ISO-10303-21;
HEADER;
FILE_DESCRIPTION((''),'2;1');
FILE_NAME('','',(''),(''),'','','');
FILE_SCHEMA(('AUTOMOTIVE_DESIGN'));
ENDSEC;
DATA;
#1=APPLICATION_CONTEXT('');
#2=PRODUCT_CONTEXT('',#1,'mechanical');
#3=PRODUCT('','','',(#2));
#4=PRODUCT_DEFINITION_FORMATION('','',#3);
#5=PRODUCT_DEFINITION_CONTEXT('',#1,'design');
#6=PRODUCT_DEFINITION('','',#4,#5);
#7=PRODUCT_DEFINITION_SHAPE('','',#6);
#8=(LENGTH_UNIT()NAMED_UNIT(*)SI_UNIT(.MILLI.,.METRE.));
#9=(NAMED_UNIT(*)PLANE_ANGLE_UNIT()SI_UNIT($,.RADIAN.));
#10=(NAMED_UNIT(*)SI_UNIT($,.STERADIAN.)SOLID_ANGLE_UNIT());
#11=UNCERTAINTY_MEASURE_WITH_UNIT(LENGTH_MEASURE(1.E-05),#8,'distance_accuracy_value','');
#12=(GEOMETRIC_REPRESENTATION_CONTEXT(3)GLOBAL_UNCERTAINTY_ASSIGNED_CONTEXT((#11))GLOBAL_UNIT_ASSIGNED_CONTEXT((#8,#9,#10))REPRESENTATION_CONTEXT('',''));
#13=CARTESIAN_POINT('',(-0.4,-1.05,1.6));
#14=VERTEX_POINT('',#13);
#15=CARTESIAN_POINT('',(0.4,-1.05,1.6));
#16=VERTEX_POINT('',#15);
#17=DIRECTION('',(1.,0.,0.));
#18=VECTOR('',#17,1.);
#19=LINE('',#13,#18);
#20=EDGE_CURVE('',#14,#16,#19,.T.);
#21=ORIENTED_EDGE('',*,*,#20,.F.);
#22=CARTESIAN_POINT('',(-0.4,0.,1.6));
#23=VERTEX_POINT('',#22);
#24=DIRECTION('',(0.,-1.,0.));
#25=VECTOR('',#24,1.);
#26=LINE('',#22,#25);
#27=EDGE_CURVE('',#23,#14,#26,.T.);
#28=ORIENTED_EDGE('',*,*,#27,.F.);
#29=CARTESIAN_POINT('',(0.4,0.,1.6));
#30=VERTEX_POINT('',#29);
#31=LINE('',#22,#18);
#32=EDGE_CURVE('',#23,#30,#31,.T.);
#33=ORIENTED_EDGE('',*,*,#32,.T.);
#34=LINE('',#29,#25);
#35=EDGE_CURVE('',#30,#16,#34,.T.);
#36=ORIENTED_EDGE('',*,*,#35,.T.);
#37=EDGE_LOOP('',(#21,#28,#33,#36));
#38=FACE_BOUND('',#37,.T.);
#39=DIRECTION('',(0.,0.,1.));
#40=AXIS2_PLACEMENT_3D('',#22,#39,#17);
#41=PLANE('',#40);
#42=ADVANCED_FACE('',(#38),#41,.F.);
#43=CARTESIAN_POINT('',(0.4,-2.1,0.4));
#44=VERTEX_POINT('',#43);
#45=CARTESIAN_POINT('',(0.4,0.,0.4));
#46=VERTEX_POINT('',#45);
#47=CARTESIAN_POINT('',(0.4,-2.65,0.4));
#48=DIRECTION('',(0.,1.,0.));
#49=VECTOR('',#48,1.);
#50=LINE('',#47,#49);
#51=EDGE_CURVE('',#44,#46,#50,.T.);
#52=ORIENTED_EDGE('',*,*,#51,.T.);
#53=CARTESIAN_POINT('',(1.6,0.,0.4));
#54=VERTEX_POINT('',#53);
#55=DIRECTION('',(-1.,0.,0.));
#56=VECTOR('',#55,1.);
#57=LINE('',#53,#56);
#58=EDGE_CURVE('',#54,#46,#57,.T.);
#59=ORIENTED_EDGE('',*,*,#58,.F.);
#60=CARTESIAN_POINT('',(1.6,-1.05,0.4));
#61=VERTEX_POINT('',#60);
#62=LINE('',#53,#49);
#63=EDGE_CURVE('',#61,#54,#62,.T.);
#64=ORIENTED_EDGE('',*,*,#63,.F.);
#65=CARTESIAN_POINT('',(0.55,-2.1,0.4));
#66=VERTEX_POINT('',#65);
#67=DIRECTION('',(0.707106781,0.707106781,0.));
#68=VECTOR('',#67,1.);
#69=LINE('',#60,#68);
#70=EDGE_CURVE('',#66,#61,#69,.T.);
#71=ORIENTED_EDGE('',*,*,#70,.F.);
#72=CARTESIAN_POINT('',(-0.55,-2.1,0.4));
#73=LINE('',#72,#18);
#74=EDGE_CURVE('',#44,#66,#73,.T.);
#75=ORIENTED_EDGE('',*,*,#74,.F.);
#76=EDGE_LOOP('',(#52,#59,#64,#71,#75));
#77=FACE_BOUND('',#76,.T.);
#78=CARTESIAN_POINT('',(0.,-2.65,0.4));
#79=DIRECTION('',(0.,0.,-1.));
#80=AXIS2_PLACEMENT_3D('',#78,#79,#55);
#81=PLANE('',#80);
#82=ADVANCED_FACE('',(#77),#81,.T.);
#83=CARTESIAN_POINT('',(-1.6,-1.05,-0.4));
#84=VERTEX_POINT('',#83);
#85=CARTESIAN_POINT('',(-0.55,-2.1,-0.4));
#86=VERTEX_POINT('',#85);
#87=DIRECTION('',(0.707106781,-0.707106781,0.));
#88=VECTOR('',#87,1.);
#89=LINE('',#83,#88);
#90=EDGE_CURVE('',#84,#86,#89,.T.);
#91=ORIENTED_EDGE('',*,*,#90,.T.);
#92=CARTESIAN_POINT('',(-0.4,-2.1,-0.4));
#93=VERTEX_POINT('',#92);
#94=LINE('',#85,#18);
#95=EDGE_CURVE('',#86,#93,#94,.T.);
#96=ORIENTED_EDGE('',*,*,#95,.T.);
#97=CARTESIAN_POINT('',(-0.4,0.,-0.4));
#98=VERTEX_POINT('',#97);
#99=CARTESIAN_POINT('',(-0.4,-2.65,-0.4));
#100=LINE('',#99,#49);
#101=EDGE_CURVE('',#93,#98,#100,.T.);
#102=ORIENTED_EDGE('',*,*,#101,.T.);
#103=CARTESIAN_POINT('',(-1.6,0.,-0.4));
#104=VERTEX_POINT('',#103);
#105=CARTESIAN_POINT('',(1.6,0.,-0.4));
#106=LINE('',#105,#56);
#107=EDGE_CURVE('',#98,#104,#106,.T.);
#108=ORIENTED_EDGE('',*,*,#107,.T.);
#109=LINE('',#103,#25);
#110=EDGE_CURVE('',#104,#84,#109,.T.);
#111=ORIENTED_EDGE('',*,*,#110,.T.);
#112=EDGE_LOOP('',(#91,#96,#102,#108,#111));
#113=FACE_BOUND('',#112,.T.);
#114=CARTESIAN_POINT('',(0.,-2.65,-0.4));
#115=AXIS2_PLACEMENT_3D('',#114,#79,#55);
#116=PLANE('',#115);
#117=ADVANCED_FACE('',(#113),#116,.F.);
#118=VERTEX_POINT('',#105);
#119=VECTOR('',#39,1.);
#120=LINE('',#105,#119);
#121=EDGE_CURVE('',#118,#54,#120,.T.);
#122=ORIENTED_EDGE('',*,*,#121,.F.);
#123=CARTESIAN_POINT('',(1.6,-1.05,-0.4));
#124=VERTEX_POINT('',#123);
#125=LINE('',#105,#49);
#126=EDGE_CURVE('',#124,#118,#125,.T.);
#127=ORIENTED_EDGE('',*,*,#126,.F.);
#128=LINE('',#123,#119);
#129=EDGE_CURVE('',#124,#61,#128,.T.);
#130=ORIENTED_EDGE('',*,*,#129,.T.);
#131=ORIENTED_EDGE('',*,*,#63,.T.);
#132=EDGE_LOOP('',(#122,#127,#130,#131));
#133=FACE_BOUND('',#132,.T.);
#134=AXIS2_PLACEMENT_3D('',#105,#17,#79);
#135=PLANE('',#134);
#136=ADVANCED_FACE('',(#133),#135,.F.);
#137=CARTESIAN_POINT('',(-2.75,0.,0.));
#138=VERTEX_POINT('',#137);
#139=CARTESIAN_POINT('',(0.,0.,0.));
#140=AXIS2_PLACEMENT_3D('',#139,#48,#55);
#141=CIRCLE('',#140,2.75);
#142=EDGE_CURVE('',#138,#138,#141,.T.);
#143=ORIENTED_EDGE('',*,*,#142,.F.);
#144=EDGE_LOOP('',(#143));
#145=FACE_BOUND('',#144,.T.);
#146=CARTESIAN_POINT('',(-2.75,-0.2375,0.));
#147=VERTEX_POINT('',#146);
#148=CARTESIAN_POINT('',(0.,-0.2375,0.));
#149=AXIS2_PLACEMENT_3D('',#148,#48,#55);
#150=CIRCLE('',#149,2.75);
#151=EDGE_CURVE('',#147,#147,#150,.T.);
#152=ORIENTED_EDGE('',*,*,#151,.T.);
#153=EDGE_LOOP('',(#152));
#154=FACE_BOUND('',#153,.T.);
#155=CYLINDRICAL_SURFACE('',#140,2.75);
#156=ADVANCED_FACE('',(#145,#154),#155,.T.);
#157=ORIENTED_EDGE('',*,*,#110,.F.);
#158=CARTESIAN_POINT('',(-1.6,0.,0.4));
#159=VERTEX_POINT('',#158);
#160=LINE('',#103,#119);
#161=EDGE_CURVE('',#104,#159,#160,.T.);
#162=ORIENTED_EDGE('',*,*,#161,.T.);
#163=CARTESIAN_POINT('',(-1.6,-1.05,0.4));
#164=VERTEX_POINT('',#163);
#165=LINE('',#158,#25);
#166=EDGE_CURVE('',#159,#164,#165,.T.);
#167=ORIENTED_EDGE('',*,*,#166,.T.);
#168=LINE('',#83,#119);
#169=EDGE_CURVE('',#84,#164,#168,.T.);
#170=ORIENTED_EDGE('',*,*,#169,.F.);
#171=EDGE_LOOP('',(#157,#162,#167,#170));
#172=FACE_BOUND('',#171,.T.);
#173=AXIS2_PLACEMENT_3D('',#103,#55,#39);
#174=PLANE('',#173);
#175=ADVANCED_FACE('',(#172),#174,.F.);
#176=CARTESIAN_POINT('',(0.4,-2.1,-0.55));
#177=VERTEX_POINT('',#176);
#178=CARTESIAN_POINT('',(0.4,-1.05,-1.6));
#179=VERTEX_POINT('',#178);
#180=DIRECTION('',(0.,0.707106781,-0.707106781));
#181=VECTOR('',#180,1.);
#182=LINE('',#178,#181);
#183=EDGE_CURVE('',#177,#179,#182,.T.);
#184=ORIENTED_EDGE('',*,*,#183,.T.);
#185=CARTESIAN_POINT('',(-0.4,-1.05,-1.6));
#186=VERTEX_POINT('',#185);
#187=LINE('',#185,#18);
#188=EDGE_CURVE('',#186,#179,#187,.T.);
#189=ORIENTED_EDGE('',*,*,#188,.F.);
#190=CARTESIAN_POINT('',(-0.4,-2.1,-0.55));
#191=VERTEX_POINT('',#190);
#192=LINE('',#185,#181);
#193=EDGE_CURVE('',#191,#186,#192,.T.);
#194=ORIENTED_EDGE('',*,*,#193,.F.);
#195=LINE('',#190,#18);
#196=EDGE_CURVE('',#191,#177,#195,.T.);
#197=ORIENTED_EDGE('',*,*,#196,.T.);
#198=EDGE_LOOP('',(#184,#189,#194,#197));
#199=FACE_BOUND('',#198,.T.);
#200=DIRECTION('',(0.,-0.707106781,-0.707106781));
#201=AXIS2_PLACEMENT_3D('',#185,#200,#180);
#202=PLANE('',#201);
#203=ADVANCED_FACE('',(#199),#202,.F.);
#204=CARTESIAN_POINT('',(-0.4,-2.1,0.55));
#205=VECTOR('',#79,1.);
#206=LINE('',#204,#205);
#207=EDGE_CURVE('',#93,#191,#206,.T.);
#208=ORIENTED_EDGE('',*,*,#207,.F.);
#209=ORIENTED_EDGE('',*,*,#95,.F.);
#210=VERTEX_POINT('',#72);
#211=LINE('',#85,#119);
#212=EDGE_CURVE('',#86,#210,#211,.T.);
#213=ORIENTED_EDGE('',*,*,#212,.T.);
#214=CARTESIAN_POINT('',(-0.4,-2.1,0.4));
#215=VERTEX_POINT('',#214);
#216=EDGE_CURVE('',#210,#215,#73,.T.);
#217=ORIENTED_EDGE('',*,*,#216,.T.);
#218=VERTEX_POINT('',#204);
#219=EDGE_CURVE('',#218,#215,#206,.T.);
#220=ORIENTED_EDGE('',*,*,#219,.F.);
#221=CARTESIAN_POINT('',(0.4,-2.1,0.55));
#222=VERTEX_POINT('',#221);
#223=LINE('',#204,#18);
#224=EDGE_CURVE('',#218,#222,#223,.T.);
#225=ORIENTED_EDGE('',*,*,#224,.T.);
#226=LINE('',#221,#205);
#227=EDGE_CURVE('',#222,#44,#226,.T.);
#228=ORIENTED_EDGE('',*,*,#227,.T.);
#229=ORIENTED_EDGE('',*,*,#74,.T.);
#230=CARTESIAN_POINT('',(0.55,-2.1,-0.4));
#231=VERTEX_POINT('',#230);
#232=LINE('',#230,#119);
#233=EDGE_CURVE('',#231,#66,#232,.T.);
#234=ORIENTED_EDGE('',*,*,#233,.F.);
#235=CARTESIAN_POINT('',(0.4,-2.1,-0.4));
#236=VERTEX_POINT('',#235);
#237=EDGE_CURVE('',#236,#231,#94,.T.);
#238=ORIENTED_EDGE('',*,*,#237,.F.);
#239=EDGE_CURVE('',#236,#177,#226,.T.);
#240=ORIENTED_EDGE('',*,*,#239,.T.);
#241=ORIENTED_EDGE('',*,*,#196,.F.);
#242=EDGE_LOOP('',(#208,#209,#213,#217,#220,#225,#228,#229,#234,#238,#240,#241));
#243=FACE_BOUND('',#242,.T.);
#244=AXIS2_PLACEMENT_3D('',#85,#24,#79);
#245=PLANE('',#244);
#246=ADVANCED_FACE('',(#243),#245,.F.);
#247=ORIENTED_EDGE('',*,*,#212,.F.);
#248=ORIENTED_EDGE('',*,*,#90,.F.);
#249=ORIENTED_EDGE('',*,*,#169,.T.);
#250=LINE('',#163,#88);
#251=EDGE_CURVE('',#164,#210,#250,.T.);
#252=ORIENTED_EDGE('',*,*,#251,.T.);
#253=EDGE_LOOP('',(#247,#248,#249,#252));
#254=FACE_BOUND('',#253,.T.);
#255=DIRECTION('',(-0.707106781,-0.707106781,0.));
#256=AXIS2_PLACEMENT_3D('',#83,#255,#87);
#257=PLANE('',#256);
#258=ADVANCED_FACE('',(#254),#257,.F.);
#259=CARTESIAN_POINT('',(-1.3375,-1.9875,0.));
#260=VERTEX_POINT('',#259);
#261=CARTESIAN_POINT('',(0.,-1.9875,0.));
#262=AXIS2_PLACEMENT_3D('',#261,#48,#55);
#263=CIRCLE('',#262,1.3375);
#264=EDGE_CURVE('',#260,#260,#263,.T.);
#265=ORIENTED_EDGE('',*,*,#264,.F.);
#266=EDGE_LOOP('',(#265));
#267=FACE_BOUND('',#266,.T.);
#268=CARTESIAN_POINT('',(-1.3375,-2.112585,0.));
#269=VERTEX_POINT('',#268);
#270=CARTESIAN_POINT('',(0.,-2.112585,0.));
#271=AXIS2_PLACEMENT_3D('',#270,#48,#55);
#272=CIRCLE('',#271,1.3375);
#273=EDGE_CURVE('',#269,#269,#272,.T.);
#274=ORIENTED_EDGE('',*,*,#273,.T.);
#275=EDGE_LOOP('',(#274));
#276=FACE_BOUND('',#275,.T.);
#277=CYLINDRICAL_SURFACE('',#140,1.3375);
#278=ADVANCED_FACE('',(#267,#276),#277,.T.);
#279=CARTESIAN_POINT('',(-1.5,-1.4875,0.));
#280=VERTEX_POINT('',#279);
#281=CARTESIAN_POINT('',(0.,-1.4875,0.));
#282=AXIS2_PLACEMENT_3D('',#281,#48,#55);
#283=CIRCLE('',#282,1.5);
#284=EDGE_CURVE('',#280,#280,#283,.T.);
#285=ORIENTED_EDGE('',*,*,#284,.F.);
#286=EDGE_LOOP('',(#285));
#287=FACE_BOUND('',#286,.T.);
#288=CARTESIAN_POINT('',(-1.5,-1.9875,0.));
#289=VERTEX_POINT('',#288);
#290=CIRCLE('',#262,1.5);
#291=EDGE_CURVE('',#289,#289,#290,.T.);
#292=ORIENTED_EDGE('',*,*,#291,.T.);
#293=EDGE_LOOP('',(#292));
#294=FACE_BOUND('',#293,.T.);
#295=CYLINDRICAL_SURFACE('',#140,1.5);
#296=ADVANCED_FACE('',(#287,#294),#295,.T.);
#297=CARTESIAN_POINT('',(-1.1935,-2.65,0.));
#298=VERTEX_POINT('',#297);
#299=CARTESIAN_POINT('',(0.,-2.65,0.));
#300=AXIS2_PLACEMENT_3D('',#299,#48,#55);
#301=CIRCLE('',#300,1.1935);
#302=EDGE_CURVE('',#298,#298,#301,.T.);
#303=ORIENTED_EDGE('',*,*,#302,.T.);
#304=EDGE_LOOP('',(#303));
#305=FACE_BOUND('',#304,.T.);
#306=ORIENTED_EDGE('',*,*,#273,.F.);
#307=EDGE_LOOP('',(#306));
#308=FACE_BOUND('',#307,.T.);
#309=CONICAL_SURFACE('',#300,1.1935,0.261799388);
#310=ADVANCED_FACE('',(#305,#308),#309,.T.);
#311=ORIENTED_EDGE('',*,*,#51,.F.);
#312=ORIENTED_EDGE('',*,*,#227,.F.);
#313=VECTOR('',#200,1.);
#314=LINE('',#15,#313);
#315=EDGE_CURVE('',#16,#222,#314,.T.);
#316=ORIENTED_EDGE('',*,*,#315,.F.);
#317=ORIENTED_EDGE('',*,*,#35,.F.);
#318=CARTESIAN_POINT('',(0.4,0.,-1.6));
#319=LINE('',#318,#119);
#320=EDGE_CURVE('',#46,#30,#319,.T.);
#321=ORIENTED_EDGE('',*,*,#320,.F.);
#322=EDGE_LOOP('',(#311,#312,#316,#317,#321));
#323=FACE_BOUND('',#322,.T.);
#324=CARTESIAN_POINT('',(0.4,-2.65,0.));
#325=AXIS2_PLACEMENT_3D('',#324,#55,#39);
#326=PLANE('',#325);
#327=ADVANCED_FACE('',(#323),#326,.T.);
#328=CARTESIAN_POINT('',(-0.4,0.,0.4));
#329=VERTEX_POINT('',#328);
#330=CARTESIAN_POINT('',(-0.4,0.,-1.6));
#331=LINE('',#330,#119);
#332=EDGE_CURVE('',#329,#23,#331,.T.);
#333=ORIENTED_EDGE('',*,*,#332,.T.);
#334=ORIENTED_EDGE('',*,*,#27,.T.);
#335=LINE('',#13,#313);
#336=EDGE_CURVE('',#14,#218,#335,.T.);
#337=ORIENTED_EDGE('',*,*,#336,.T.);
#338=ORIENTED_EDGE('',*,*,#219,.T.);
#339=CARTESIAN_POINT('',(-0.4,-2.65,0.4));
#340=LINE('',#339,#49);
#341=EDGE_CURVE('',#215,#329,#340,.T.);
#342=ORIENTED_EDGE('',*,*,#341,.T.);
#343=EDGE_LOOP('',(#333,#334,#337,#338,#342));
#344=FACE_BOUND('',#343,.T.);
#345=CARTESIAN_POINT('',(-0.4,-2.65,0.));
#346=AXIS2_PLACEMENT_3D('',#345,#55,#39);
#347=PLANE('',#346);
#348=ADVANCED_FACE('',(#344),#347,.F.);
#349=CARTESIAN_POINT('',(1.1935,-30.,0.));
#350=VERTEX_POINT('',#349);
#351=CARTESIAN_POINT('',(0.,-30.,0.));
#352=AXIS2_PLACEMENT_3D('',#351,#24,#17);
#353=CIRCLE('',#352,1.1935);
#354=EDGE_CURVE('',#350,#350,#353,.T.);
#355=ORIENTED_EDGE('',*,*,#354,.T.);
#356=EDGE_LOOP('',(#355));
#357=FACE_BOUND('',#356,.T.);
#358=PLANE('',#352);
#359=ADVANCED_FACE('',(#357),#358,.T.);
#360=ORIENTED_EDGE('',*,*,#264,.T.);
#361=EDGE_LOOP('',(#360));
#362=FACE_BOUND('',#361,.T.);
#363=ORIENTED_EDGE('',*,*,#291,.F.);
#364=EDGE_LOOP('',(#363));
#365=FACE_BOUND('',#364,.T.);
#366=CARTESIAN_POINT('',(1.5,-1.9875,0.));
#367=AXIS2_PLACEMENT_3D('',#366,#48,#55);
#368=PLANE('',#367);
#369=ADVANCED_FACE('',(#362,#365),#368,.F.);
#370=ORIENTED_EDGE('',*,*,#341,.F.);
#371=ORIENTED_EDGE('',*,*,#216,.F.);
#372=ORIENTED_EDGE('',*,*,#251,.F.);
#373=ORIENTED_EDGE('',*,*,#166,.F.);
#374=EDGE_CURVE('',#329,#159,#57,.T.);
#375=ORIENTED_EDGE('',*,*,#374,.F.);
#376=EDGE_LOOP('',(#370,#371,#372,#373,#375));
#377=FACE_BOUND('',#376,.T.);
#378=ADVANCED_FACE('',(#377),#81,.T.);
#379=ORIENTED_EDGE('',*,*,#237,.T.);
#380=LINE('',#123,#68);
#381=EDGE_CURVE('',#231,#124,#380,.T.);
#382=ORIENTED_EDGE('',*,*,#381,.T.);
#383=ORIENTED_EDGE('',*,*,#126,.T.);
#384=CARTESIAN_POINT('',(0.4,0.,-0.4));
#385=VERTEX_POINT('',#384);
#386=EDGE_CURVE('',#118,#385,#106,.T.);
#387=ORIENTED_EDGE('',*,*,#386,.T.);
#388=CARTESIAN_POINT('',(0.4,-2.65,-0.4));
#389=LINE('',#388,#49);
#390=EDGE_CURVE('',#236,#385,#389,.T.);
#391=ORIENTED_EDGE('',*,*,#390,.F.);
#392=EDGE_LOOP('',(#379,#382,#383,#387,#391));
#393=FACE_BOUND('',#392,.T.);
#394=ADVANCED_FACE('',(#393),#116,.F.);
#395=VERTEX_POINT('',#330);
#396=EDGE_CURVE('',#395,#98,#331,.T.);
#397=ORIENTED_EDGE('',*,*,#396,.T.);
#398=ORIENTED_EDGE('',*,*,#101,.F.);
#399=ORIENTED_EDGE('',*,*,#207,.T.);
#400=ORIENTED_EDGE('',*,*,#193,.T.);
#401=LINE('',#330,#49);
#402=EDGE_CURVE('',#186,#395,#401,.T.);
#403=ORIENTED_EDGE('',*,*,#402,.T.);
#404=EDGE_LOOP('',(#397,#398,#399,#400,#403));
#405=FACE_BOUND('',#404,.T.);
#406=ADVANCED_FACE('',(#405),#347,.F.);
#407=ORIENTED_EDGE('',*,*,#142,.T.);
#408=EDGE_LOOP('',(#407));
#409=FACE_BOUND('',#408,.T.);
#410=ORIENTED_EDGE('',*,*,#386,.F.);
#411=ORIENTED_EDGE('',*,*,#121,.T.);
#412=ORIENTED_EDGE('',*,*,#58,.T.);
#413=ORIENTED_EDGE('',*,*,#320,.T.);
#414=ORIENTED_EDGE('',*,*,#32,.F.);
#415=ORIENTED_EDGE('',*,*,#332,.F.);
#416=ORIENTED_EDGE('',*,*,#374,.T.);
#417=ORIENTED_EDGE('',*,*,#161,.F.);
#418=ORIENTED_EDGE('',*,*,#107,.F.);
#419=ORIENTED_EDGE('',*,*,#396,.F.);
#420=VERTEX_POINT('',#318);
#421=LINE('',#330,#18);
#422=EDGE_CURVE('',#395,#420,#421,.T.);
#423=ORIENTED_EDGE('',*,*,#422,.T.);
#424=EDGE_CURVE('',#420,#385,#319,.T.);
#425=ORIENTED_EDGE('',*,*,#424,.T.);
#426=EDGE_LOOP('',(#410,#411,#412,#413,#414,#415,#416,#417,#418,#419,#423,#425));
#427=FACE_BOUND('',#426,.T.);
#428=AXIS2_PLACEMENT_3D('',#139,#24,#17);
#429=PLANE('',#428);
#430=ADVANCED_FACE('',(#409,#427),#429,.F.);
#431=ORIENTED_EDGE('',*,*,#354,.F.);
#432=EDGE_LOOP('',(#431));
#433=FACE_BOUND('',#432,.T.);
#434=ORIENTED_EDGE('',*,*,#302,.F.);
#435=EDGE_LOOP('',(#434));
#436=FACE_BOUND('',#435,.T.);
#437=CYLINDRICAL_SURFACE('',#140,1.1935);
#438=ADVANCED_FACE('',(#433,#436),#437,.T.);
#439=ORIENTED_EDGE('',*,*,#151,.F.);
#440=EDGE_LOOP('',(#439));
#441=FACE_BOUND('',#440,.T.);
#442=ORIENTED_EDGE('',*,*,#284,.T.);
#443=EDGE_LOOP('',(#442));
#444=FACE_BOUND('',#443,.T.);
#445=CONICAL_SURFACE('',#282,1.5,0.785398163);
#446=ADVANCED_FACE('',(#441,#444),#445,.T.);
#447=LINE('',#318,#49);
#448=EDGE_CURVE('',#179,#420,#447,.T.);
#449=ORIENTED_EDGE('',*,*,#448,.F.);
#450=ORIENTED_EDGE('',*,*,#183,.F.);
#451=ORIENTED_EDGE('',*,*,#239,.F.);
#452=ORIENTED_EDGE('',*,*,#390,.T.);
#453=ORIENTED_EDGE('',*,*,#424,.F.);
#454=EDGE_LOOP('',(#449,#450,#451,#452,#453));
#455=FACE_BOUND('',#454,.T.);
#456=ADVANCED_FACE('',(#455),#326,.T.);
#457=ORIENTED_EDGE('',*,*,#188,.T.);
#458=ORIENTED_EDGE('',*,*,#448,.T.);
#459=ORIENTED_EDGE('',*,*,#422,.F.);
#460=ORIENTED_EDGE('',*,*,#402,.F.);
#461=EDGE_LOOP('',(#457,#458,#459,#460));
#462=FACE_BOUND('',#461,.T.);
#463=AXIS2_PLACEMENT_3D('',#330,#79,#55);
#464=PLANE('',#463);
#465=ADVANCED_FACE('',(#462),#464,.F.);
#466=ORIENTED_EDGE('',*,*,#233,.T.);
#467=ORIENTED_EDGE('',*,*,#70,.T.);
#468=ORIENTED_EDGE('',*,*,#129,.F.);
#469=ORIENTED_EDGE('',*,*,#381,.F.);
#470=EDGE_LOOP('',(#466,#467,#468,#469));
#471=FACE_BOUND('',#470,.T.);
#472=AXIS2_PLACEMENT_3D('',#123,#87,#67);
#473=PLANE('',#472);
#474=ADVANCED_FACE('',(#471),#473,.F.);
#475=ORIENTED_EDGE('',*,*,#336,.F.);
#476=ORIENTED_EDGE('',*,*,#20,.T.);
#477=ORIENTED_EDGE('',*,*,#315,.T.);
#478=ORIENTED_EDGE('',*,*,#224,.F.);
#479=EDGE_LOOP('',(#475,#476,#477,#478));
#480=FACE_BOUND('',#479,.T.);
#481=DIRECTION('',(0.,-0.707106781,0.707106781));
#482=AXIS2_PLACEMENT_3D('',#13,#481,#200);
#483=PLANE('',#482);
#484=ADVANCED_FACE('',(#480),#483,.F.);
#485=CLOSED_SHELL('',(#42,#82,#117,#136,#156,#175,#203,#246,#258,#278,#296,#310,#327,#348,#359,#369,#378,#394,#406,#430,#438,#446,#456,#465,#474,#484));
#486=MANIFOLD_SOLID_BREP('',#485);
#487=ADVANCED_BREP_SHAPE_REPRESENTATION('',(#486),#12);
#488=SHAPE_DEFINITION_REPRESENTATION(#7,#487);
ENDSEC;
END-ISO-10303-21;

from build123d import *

# Parameters (mm, degrees)
KREUZSCHLITZ1_H_DEPTH      = 0.4
KREUZSCHLITZ1_H_DEPTH_BACK = 0.4
KREUZSCHLITZ2_H_DEPTH      = 0.4
KREUZSCHLITZ2_H_DEPTH_BACK = 0.4
BOSS_EXTRUDE1_START        = 22
SKETCH1_R                  = 1.1935
BOSS_EXTRUDE1_DEPTH        = 22


with BuildPart() as part:
    # Skizze1 → Basis-Rotation (revolve)
    with BuildSketch(Plane.XY, mode=Mode.PRIVATE) as basis_rotation_sk:
        Polygon((0, 0), (2.75, 0), (2.75, -0.2375), (1.5, -1.4875), (1.5, -1.9875), (1.3375, -1.9875), (1.3375, -2.112584684), (1.1935, -2.65), (1.1935, -8), (0, -8), align=None)
    revolve(basis_rotation_sk.sketch.rotate(Axis((0, 0, 0), (0, -1, 0)), 180), axis=Axis((0, 0, 0), (0, -1, 0)))

    # Skizze2 → Kreuzschlitz1 H (cut, two sides: drawn at the far end of the back side and taken through both)
    with BuildSketch(Plane.XY.offset(-KREUZSCHLITZ1_H_DEPTH_BACK)):
        Polygon((-0.55, -2.1), (0.55, -2.1), (1.6, -1.05), (1.6, 0), (-1.6, 0), (-1.6, -1.05), align=None)
    extrude(amount=KREUZSCHLITZ1_H_DEPTH + KREUZSCHLITZ1_H_DEPTH_BACK, mode=Mode.SUBTRACT)

    # Skizze3 → Kreuzschlitz2 H (cut, two sides: drawn at the far end of the back side and taken through both)
    with BuildSketch(Plane(origin=(0, 0, 0), x_dir=(0, 0, -1), z_dir=(1, 0, 0)).offset(-KREUZSCHLITZ2_H_DEPTH_BACK)):
        Polygon((-0.55, -2.1), (0.55, -2.1), (1.6, -1.05), (1.6, 0), (-1.6, 0), (-1.6, -1.05), align=None)
    extrude(amount=KREUZSCHLITZ2_H_DEPTH + KREUZSCHLITZ2_H_DEPTH_BACK, mode=Mode.SUBTRACT)

    # Sketch1 → Boss-Extrude1 (add)
    with BuildSketch(Plane.XZ.offset(8).offset(BOSS_EXTRUDE1_START)):
        with Locations(Location((0, 0, 0), (0, 0, 180))):
            Circle(SKETCH1_R)
    extrude(amount=-BOSS_EXTRUDE1_DEPTH)


solid = part.part
